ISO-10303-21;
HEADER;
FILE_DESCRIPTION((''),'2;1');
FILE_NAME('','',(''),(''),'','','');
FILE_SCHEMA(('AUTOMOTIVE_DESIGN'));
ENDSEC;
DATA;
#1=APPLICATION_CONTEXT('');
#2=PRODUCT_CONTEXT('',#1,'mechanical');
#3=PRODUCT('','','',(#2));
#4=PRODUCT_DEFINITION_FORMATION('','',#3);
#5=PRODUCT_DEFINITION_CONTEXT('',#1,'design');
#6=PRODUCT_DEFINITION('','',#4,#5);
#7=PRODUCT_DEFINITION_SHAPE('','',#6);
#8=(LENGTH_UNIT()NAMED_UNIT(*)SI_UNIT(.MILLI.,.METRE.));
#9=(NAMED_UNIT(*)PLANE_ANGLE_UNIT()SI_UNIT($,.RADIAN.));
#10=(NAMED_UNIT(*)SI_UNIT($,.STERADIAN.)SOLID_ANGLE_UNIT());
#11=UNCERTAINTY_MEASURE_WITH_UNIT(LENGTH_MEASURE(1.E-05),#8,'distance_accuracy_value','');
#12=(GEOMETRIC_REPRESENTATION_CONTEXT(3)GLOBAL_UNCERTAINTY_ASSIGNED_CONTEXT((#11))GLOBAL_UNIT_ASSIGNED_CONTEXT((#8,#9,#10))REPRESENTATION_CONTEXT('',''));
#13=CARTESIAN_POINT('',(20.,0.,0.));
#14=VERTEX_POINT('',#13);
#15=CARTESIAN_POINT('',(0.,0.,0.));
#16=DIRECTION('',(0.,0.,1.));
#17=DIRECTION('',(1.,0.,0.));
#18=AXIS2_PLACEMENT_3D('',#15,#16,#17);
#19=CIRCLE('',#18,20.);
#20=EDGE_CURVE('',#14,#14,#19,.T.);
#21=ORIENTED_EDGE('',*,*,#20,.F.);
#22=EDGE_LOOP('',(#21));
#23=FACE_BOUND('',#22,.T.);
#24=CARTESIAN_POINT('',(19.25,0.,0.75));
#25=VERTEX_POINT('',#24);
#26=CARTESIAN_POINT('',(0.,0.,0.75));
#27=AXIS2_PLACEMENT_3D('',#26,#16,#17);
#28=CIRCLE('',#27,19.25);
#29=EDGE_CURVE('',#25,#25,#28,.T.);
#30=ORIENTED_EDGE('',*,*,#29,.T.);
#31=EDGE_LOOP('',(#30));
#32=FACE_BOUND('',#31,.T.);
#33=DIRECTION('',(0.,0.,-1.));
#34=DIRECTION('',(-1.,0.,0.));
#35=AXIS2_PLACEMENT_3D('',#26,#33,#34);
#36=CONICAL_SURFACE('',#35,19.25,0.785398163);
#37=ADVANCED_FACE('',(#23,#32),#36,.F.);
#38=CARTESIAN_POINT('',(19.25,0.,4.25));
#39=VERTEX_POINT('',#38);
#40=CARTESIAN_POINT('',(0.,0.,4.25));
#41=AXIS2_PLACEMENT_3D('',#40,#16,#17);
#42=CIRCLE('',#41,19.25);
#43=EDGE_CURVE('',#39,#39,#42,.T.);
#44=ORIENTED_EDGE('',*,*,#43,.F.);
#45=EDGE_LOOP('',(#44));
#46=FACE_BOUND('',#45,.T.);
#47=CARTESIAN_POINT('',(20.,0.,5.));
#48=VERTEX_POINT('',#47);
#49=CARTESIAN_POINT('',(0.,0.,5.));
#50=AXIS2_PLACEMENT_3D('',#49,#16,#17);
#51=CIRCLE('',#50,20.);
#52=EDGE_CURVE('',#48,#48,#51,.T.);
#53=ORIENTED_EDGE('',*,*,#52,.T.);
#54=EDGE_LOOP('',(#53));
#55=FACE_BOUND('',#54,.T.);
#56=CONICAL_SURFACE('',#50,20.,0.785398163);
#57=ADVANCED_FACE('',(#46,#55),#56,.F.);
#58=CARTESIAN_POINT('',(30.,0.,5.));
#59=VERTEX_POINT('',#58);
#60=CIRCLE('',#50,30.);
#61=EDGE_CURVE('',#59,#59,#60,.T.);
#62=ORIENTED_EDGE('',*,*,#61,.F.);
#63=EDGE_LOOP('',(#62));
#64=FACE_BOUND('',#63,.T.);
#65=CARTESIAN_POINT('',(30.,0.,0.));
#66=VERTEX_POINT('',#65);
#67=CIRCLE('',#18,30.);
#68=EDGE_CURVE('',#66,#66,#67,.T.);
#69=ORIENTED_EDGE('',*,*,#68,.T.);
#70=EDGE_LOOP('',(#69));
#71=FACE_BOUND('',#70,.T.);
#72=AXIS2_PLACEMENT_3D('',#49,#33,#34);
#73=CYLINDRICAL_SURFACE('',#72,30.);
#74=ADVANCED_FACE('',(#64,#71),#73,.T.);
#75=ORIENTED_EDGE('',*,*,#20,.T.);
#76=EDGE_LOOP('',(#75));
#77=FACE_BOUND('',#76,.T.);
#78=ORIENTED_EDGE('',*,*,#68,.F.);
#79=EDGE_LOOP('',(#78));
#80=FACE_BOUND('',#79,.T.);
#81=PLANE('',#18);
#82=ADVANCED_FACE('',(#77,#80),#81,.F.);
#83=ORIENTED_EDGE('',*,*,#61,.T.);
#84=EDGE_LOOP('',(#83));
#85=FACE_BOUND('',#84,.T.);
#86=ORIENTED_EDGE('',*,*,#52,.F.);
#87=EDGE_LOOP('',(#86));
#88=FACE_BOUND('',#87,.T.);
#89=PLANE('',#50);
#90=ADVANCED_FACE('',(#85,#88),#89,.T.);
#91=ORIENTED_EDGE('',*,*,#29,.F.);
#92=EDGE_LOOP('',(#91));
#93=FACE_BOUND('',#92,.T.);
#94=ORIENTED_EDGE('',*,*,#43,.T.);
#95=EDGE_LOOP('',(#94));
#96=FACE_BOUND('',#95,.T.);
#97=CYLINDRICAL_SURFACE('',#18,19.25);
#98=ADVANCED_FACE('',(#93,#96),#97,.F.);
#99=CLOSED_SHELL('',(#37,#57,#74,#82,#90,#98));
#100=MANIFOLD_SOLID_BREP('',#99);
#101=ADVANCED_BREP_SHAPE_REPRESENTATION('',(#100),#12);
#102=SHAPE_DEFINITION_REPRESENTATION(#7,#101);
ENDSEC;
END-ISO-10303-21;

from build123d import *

# Parameters (mm, degrees)
GUARD_BASE_R     = 30
GUARD_DEPTH      = 5
AXLE_HOLE_BASE_R = 19.25
AXLE_HOLE_DEPTH  = 6


with BuildPart() as part:
    # Guard base → Guard (new body)
    with BuildSketch(Plane.XY):
        Circle(GUARD_BASE_R)
    extrude(amount=GUARD_DEPTH)

    # Axle hole base → Axle hole (cut, through all)
    with BuildSketch(Plane.XY.offset(5)):
        Circle(AXLE_HOLE_BASE_R)
    extrude(amount=-AXLE_HOLE_DEPTH, mode=Mode.SUBTRACT)

    # Mate ring room base → Mate ring room (revolve, cut)
    with BuildSketch(Plane(origin=(0, 0, 0), x_dir=(1, 0, 0), z_dir=(0, 1, 0))):
        Polygon((19.25, -5), (20, -5), (19.25, -4.25), align=None)
        Polygon((19.25, 0), (20, 0), (19.25, -0.75), align=None)
    revolve(axis=Axis((0, 0, 0), (0, 0, -1)), mode=Mode.SUBTRACT)


solid = part.part
